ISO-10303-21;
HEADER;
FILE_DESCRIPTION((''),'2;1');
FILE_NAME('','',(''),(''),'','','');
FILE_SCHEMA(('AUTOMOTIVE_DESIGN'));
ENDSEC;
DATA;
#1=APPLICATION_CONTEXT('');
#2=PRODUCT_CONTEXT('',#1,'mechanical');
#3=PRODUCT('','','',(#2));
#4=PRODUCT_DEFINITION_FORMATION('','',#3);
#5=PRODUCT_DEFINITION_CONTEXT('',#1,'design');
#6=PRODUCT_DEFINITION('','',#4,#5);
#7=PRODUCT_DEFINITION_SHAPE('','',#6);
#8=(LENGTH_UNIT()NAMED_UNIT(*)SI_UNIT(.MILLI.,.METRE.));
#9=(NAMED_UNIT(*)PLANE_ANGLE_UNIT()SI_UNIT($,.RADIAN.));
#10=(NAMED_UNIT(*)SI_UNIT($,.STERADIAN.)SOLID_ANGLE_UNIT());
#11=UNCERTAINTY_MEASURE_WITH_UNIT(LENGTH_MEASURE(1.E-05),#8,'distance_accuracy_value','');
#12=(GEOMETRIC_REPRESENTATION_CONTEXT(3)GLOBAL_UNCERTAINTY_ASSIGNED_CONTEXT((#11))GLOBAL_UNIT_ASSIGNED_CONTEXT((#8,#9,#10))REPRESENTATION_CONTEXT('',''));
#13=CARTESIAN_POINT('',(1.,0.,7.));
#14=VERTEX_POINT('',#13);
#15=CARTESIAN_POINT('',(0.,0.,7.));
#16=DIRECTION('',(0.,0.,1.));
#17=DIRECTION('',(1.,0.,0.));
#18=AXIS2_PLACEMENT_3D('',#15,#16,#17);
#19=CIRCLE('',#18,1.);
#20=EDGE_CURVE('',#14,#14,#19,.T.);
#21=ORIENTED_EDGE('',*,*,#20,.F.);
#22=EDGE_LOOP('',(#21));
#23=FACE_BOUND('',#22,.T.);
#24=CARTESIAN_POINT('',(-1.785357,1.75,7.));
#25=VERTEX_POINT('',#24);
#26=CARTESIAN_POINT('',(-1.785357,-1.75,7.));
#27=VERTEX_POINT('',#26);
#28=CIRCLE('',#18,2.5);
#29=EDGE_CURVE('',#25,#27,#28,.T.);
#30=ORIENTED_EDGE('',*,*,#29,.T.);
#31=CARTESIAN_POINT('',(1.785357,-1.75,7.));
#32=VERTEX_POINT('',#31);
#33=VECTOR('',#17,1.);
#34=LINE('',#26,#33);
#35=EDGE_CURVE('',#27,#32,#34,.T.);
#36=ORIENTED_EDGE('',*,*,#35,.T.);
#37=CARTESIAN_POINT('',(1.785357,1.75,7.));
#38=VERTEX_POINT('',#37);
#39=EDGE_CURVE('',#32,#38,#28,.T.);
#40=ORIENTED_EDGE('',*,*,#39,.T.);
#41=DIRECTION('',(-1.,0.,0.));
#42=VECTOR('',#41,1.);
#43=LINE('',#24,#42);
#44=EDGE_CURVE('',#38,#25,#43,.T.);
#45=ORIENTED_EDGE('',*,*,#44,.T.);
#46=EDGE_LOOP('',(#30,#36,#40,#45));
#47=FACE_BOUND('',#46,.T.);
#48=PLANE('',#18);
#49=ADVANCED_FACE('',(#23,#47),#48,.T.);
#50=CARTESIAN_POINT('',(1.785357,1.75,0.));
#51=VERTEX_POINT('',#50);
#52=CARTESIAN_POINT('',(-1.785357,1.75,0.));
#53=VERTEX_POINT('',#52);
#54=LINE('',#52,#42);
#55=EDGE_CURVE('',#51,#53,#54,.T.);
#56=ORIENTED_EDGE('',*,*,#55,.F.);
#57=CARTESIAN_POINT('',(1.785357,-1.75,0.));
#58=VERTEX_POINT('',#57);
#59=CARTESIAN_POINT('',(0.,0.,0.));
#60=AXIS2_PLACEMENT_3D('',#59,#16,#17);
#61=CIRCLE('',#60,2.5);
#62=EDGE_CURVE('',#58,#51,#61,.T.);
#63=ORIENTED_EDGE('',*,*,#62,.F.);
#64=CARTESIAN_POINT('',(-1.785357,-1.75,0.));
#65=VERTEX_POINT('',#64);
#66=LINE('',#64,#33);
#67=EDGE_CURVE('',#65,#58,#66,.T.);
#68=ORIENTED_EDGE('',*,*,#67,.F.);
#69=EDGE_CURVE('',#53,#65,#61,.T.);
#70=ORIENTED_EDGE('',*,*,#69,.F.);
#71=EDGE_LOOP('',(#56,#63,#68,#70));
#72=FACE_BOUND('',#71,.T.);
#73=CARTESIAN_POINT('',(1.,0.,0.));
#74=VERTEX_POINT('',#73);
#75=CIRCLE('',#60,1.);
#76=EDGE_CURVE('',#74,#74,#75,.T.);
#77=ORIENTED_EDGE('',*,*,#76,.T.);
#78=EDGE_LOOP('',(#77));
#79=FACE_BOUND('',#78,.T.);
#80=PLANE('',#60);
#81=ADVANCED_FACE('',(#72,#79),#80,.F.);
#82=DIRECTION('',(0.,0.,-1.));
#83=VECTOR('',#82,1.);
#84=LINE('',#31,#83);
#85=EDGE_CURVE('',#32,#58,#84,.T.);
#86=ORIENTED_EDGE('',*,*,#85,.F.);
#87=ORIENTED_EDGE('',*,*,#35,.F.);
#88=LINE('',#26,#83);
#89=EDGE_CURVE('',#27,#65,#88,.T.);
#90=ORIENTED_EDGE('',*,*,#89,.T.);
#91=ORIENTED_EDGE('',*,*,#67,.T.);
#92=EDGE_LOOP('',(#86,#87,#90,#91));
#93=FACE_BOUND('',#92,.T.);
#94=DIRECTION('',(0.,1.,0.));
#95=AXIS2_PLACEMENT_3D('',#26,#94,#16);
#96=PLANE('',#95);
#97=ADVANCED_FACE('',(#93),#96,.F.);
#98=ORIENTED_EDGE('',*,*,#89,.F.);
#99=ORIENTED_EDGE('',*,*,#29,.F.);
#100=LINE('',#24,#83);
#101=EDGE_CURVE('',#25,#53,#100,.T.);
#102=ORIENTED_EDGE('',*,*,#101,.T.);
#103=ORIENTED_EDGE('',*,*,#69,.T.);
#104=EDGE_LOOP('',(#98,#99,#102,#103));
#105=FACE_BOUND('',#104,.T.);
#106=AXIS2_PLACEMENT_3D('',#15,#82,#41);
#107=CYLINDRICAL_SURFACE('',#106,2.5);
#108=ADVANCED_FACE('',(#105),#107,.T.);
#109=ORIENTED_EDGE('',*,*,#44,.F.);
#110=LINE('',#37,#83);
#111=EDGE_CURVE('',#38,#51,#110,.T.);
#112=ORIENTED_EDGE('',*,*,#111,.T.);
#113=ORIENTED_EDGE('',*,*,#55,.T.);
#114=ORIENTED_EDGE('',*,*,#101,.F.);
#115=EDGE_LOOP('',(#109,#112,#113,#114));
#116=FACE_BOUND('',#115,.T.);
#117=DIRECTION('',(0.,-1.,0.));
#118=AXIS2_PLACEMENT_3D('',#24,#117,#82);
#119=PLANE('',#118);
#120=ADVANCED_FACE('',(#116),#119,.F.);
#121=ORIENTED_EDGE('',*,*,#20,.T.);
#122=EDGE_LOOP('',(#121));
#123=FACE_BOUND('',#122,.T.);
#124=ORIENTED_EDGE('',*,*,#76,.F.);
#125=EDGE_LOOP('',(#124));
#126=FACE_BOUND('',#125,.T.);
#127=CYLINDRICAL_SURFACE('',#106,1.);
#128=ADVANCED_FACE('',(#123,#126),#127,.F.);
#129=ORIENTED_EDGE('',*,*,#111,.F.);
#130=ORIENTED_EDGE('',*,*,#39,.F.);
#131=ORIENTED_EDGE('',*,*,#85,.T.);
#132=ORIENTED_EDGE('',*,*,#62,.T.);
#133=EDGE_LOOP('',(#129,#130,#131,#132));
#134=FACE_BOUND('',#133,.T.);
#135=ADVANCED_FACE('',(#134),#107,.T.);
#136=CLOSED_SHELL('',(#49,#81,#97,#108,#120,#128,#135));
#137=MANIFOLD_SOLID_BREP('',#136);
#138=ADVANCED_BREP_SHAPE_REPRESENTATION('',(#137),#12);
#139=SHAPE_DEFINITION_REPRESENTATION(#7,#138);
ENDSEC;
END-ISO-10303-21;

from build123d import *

# Parameters (mm, degrees)
SKETCH1_R           = 1
BOSS_EXTRUDE1_DEPTH = 7


with BuildPart() as part:
    # Sketch1 → Boss-Extrude1 (new body)
    with BuildSketch(Plane.XY):
        with BuildLine():
            Line((-1.785357107, 1.75), (1.785357107, 1.75))
            ThreePointArc((1.785357107, 1.75), (2.5, 0), (1.785357107, -1.75))
            Line((1.785357107, -1.75), (-1.785357107, -1.75))
            ThreePointArc((-1.785357107, -1.75), (-2.5, 0), (-1.785357107, 1.75))
        make_face()
        Circle(SKETCH1_R, mode=Mode.SUBTRACT)
    extrude(amount=BOSS_EXTRUDE1_DEPTH)


solid = part.part
